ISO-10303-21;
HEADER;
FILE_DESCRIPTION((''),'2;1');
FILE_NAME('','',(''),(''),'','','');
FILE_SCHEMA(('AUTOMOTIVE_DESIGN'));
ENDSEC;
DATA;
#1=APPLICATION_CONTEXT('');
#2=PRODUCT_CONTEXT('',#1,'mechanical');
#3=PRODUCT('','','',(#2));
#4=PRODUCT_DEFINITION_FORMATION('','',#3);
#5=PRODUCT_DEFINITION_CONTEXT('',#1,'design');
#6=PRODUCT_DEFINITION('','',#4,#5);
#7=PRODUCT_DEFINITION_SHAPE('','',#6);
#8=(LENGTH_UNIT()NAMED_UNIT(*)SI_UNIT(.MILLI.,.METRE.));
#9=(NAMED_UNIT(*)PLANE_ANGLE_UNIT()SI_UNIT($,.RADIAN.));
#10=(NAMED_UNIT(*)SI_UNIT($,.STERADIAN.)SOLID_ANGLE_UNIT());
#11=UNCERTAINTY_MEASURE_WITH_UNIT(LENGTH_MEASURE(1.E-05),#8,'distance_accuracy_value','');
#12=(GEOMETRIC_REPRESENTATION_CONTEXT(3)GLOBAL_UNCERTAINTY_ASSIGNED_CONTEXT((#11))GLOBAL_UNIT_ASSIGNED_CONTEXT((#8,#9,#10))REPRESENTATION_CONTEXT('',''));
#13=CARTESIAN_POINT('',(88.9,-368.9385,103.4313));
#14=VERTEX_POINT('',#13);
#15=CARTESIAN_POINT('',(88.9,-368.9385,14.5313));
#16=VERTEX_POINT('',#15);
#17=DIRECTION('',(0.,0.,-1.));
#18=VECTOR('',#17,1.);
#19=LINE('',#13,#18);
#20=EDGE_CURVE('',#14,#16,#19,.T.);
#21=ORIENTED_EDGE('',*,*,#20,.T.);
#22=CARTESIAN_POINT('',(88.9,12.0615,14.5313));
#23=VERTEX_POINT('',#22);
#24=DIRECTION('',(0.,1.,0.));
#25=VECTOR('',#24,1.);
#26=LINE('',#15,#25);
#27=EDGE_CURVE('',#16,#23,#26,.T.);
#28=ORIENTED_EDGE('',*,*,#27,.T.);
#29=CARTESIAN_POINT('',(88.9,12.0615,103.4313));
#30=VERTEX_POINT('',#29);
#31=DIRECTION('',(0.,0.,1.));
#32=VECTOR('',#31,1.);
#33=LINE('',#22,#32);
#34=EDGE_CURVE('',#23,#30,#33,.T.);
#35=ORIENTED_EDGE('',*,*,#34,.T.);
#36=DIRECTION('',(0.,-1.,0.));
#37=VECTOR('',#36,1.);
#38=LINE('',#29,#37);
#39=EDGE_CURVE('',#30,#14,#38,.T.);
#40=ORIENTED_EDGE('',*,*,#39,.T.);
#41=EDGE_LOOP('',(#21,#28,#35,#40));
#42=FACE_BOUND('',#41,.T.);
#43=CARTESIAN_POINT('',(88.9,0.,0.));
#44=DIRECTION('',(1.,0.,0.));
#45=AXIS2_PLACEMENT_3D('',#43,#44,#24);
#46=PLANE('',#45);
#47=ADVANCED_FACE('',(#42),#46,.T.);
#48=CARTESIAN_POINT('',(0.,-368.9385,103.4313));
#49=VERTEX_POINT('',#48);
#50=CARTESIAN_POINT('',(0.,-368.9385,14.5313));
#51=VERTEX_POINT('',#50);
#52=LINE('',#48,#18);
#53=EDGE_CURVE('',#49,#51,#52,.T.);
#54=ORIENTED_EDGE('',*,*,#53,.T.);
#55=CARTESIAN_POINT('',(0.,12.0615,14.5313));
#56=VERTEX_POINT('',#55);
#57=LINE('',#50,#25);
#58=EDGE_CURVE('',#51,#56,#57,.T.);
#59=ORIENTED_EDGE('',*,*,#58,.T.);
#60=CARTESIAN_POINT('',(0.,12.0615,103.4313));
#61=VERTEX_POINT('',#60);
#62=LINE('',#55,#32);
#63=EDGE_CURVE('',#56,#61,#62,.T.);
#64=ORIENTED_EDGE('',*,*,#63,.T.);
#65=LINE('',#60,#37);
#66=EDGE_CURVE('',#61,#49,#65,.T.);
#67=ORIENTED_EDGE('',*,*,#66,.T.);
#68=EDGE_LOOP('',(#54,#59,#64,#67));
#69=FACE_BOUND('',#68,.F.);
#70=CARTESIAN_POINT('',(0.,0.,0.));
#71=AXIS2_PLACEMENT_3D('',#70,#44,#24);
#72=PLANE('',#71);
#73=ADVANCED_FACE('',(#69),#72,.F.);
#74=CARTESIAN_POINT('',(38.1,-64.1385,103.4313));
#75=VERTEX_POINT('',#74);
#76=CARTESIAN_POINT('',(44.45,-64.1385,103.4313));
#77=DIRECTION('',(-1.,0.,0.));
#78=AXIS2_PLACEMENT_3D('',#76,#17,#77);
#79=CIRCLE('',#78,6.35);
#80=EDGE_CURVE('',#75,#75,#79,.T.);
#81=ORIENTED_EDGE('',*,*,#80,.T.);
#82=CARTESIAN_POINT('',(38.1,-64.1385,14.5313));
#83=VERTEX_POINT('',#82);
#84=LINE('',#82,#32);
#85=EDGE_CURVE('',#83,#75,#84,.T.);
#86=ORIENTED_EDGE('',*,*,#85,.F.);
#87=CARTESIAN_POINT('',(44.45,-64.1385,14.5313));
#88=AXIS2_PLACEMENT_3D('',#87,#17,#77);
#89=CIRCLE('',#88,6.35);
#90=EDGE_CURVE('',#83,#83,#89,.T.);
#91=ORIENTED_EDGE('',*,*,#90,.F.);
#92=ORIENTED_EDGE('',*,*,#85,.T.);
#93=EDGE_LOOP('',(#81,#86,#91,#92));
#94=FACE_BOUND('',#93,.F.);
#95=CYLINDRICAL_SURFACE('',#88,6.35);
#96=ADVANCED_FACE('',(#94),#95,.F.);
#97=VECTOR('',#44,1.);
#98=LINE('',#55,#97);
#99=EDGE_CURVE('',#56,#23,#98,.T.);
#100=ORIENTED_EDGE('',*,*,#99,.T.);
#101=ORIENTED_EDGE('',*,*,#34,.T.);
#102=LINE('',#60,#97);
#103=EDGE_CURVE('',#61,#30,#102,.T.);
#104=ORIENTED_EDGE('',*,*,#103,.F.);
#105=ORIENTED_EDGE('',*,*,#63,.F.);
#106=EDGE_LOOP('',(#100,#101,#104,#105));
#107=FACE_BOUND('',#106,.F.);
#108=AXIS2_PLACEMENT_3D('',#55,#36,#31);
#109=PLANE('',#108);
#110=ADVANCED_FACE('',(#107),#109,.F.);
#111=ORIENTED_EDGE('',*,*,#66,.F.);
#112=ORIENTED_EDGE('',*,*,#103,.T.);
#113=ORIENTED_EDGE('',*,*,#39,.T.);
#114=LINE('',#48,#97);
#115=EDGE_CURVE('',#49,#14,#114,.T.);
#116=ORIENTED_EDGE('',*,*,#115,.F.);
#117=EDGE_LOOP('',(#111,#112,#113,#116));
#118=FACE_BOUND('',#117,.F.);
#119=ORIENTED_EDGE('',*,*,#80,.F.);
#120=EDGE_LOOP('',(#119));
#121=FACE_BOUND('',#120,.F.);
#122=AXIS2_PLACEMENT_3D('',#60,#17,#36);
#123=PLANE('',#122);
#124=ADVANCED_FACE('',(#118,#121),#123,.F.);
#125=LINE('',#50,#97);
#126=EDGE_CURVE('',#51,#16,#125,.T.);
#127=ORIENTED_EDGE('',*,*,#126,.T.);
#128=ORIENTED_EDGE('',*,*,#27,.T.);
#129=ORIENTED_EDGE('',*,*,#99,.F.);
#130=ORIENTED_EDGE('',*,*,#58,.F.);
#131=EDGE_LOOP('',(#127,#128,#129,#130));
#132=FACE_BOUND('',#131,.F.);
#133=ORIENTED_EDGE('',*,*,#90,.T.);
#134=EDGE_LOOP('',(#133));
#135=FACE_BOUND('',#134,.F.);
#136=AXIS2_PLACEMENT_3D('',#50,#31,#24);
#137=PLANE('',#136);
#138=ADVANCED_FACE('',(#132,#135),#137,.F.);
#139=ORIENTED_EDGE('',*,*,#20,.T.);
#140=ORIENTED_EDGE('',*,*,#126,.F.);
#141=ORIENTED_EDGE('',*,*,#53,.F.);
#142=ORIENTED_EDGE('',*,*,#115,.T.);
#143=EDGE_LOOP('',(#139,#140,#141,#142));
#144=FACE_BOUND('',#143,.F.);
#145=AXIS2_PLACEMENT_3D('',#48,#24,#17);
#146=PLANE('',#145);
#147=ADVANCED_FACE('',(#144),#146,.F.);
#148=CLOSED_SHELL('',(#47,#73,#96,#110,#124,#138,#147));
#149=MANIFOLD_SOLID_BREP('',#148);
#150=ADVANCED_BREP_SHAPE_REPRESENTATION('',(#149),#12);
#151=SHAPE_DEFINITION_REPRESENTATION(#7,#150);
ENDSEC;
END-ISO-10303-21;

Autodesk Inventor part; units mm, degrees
ref_plane "YZ Plane" through (0, 0, 0) normal (1, 0, 0) x (0, 1, 0)
ref_plane "XZ Plane" through (0, 0, 0) normal (0, 1, 0) x (-1, 0, 0)
ref_plane "XY Plane" through (0, 0, 0) normal (0, 0, 1) x (1, 0, 0)
sketch "Sketch1" plane through (0, 0, 0) normal (1, 0, 0) x (0, 1, 0)
  line L0 (12.0615, 103.4313) -> (-368.9385, 103.4313)
  line L1 (-368.9385, 103.4313) -> (-368.9385, 14.5313)
  line L2 (-368.9385, 14.5313) -> (12.0615, 14.5313)
  line L3 (12.0615, 14.5313) -> (12.0615, 103.4313)
  point P0 (0, 0)
  dimension "d0" = 381
  dimension "d1" = 88.9
  dimension "d2" = 88.9
extrude "Extrusion1" add sketch "Sketch1" along normal blind 88.9
sketch "Sketch2" plane through (0, -368.9385, 14.5313) normal (0, 0, -1) x (-1, 0, 0)
  circle A0 centre (-44.45, 304.8) radius 6.35
  line L0 (0, 0) -> (0, 381) projected
  line L1 (0, 381) -> (-88.9, 381) projected
  point P0 (0, 368.9385)
  dimension "d5" = 12.7
  dimension "d6" = 44.45
  dimension "d7" = 76.2
extrude "Extrusion2" cut sketch "Sketch2" against normal blind 88.9
properties part number "block 1"
